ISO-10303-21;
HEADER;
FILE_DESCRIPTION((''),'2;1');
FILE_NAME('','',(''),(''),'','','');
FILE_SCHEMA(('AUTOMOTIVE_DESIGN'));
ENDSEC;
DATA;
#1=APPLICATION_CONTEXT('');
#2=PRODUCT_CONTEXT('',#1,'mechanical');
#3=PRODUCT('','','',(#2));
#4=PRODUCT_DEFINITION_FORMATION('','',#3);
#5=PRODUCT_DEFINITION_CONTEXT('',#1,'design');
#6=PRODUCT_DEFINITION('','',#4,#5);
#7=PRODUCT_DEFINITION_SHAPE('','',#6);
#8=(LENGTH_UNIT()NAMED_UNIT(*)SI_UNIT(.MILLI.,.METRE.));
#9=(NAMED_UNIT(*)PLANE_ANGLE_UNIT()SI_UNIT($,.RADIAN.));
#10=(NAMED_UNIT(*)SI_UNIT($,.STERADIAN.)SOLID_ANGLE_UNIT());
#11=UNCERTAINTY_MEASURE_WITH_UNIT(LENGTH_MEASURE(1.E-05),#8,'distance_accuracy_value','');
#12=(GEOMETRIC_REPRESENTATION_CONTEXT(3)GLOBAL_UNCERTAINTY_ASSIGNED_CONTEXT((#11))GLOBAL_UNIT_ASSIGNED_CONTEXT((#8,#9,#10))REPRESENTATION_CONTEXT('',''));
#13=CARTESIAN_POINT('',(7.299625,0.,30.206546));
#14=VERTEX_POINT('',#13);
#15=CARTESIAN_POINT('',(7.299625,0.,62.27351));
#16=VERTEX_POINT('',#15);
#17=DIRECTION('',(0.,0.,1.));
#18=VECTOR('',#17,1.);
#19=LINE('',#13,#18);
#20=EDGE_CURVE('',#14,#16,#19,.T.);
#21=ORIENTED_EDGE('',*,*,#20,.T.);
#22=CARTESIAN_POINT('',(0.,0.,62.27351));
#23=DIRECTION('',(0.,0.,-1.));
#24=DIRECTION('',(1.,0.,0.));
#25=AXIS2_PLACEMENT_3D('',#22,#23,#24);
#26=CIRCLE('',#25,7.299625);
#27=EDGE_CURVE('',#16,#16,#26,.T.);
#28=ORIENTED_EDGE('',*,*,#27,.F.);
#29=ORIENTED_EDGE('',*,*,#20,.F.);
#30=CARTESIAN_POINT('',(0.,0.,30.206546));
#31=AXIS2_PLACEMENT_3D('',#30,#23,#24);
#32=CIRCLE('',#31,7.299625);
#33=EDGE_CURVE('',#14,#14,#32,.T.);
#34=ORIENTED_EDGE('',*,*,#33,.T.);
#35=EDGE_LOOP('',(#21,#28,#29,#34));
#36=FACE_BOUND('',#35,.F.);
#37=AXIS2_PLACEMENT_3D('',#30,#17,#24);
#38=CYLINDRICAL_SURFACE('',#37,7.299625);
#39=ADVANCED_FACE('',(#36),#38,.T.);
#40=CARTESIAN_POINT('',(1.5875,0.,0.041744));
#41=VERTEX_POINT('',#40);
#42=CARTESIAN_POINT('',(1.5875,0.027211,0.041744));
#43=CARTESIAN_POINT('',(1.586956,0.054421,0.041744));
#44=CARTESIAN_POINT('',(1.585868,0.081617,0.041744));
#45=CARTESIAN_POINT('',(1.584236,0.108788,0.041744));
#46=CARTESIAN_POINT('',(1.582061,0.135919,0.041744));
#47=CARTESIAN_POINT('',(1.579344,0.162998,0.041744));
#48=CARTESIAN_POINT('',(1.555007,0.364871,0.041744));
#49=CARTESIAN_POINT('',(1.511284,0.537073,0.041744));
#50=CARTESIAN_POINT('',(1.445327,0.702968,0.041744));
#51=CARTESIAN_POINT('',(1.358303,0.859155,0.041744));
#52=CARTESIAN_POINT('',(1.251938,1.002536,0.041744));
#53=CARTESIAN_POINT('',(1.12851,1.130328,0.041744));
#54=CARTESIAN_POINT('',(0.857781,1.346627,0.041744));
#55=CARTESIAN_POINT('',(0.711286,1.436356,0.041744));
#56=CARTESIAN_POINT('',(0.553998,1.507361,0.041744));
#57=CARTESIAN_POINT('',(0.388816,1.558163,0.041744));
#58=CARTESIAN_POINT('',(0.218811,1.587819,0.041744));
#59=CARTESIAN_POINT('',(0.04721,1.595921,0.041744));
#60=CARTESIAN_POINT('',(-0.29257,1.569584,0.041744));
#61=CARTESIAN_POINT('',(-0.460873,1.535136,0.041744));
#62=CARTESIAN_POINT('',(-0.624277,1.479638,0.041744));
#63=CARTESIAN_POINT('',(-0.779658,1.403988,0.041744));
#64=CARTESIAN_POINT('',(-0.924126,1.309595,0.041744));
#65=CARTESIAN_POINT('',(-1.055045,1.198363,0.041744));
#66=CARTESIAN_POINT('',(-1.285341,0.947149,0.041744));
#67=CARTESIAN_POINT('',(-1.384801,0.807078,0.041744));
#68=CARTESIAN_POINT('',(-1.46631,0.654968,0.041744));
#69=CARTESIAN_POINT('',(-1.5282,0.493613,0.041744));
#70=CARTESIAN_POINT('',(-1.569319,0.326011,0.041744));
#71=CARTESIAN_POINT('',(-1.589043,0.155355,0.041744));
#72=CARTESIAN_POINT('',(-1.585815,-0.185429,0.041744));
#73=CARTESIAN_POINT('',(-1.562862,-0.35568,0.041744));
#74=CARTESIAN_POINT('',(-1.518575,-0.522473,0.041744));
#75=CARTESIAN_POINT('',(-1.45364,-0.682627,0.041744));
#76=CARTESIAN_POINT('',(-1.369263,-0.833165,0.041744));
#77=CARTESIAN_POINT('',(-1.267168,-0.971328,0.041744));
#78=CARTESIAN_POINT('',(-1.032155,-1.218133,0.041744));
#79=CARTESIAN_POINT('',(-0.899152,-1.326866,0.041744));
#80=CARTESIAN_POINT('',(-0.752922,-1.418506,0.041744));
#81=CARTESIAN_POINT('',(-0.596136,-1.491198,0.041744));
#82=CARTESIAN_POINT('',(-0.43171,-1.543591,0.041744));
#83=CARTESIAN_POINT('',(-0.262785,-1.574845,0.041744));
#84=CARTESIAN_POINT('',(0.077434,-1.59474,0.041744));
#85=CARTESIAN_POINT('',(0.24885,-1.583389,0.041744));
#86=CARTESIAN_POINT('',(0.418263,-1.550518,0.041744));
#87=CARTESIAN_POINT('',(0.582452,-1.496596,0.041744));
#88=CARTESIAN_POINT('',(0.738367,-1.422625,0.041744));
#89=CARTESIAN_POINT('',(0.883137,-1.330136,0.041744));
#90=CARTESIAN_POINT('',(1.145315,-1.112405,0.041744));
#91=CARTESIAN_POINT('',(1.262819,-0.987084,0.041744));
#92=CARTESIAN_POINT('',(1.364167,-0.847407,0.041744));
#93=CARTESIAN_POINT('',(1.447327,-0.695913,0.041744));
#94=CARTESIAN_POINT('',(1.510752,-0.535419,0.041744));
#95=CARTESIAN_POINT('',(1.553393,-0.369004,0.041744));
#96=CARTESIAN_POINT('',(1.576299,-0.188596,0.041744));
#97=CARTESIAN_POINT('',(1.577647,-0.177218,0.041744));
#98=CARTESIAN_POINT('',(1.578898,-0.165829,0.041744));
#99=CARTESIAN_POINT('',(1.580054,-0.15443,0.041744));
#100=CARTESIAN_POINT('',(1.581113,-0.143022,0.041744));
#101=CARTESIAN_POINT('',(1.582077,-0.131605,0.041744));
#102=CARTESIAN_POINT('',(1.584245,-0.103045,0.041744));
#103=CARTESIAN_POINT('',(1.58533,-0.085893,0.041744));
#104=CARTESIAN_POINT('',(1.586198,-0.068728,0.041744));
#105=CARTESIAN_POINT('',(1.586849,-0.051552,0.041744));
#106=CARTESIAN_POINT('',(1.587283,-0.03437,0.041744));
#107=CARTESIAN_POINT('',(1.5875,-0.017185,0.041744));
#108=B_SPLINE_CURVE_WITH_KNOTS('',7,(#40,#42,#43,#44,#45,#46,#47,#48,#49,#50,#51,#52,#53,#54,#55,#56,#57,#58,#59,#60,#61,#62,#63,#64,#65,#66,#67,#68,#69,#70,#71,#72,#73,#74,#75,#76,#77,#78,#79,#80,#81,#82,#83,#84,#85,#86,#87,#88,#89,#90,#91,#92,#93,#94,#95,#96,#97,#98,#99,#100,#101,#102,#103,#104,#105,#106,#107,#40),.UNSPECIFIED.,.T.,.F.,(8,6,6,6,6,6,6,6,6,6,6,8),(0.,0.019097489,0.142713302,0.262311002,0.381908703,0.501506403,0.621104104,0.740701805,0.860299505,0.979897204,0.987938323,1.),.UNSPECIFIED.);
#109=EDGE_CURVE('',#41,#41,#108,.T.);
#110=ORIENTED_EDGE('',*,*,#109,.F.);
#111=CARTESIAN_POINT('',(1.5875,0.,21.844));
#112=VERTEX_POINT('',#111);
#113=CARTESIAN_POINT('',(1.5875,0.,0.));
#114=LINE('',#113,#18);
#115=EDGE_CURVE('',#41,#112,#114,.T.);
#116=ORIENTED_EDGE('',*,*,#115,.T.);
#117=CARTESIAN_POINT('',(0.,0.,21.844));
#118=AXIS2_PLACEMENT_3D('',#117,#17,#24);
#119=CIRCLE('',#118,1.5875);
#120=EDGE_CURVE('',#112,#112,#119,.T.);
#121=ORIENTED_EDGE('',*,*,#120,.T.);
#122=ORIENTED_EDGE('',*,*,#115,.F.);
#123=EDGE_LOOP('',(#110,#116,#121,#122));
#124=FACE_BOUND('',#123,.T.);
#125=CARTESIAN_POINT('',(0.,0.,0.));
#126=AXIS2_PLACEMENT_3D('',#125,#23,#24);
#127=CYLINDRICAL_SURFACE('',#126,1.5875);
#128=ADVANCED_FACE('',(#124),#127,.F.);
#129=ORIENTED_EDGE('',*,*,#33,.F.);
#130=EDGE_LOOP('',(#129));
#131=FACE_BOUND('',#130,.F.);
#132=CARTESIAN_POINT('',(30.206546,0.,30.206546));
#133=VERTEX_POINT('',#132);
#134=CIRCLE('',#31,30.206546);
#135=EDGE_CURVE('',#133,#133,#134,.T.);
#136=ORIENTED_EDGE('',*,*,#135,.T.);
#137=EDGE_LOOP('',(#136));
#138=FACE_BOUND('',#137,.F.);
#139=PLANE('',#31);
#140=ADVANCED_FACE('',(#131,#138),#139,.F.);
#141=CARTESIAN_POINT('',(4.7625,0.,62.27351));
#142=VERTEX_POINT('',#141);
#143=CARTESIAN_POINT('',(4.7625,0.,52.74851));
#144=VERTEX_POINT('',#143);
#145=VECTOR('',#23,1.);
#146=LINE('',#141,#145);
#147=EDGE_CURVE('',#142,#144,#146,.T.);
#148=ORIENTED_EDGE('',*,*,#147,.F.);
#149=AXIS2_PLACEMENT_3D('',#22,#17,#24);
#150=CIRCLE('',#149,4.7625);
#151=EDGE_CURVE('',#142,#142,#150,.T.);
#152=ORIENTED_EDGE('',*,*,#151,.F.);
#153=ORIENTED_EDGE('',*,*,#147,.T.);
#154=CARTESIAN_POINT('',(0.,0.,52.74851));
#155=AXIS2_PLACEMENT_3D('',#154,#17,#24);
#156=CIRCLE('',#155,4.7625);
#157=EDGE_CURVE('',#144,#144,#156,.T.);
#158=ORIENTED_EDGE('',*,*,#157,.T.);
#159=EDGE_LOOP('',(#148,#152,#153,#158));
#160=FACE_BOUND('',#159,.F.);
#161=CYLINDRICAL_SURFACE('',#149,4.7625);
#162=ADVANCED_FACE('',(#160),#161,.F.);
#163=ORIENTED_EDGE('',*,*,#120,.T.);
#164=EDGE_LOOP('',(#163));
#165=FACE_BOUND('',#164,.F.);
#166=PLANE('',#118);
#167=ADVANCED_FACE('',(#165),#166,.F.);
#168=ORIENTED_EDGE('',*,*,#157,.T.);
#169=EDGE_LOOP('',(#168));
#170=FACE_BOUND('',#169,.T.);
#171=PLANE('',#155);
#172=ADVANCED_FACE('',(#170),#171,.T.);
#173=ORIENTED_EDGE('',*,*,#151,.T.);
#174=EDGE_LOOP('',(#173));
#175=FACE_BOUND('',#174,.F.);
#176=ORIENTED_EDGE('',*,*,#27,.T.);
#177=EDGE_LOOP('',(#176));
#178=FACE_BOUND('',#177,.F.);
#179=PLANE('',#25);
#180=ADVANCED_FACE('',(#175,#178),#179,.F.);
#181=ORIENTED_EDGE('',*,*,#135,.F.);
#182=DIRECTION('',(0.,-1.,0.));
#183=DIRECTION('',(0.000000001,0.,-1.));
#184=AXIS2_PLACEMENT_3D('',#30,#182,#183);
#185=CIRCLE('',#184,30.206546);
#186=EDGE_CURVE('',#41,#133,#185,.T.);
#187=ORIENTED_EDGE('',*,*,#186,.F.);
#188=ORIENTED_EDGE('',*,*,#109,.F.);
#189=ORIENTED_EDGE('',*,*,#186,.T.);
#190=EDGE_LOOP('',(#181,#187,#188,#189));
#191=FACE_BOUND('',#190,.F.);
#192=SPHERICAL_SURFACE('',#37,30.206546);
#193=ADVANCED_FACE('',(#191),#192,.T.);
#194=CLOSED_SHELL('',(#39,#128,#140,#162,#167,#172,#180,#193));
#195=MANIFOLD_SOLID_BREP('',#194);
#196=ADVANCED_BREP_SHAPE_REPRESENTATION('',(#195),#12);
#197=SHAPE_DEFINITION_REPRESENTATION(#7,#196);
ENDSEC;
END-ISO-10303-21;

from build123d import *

# Parameters (mm, degrees)
F2_R     = 4.7625
F3_DEPTH = 9.525
F4_R     = 1.5875
F5_DEPTH = 21.844


with BuildPart() as f1:
    # F0 (on Front) → F1 (revolve)
    with BuildSketch(Plane.XZ):
        with BuildLine():
            Line((0, 62.27351), (0, 0))
            ThreePointArc((0, 0), (21.359254, 8.847293), (30.206546, 30.206546))
            Line((30.206546, 30.206546), (7.299625, 30.206546))
            Line((7.299625, 30.206546), (7.299625, 62.27351))
            Line((7.299625, 62.27351), (0, 62.27351))
        make_face()
    revolve(axis=Axis((0, 0, 31.136755), (0, 0, -1)))

    # F2 (on face) → F3 (cut)
    with BuildSketch(Plane.XY.offset(62.27351)):
        Circle(F2_R)
    extrude(amount=-F3_DEPTH, mode=Mode.SUBTRACT)

    # F4 (on Top) → F5 (cut)
    with BuildSketch(Plane.XY):
        Circle(F4_R)
    extrude(amount=F5_DEPTH, mode=Mode.SUBTRACT)


solid = f1.part
